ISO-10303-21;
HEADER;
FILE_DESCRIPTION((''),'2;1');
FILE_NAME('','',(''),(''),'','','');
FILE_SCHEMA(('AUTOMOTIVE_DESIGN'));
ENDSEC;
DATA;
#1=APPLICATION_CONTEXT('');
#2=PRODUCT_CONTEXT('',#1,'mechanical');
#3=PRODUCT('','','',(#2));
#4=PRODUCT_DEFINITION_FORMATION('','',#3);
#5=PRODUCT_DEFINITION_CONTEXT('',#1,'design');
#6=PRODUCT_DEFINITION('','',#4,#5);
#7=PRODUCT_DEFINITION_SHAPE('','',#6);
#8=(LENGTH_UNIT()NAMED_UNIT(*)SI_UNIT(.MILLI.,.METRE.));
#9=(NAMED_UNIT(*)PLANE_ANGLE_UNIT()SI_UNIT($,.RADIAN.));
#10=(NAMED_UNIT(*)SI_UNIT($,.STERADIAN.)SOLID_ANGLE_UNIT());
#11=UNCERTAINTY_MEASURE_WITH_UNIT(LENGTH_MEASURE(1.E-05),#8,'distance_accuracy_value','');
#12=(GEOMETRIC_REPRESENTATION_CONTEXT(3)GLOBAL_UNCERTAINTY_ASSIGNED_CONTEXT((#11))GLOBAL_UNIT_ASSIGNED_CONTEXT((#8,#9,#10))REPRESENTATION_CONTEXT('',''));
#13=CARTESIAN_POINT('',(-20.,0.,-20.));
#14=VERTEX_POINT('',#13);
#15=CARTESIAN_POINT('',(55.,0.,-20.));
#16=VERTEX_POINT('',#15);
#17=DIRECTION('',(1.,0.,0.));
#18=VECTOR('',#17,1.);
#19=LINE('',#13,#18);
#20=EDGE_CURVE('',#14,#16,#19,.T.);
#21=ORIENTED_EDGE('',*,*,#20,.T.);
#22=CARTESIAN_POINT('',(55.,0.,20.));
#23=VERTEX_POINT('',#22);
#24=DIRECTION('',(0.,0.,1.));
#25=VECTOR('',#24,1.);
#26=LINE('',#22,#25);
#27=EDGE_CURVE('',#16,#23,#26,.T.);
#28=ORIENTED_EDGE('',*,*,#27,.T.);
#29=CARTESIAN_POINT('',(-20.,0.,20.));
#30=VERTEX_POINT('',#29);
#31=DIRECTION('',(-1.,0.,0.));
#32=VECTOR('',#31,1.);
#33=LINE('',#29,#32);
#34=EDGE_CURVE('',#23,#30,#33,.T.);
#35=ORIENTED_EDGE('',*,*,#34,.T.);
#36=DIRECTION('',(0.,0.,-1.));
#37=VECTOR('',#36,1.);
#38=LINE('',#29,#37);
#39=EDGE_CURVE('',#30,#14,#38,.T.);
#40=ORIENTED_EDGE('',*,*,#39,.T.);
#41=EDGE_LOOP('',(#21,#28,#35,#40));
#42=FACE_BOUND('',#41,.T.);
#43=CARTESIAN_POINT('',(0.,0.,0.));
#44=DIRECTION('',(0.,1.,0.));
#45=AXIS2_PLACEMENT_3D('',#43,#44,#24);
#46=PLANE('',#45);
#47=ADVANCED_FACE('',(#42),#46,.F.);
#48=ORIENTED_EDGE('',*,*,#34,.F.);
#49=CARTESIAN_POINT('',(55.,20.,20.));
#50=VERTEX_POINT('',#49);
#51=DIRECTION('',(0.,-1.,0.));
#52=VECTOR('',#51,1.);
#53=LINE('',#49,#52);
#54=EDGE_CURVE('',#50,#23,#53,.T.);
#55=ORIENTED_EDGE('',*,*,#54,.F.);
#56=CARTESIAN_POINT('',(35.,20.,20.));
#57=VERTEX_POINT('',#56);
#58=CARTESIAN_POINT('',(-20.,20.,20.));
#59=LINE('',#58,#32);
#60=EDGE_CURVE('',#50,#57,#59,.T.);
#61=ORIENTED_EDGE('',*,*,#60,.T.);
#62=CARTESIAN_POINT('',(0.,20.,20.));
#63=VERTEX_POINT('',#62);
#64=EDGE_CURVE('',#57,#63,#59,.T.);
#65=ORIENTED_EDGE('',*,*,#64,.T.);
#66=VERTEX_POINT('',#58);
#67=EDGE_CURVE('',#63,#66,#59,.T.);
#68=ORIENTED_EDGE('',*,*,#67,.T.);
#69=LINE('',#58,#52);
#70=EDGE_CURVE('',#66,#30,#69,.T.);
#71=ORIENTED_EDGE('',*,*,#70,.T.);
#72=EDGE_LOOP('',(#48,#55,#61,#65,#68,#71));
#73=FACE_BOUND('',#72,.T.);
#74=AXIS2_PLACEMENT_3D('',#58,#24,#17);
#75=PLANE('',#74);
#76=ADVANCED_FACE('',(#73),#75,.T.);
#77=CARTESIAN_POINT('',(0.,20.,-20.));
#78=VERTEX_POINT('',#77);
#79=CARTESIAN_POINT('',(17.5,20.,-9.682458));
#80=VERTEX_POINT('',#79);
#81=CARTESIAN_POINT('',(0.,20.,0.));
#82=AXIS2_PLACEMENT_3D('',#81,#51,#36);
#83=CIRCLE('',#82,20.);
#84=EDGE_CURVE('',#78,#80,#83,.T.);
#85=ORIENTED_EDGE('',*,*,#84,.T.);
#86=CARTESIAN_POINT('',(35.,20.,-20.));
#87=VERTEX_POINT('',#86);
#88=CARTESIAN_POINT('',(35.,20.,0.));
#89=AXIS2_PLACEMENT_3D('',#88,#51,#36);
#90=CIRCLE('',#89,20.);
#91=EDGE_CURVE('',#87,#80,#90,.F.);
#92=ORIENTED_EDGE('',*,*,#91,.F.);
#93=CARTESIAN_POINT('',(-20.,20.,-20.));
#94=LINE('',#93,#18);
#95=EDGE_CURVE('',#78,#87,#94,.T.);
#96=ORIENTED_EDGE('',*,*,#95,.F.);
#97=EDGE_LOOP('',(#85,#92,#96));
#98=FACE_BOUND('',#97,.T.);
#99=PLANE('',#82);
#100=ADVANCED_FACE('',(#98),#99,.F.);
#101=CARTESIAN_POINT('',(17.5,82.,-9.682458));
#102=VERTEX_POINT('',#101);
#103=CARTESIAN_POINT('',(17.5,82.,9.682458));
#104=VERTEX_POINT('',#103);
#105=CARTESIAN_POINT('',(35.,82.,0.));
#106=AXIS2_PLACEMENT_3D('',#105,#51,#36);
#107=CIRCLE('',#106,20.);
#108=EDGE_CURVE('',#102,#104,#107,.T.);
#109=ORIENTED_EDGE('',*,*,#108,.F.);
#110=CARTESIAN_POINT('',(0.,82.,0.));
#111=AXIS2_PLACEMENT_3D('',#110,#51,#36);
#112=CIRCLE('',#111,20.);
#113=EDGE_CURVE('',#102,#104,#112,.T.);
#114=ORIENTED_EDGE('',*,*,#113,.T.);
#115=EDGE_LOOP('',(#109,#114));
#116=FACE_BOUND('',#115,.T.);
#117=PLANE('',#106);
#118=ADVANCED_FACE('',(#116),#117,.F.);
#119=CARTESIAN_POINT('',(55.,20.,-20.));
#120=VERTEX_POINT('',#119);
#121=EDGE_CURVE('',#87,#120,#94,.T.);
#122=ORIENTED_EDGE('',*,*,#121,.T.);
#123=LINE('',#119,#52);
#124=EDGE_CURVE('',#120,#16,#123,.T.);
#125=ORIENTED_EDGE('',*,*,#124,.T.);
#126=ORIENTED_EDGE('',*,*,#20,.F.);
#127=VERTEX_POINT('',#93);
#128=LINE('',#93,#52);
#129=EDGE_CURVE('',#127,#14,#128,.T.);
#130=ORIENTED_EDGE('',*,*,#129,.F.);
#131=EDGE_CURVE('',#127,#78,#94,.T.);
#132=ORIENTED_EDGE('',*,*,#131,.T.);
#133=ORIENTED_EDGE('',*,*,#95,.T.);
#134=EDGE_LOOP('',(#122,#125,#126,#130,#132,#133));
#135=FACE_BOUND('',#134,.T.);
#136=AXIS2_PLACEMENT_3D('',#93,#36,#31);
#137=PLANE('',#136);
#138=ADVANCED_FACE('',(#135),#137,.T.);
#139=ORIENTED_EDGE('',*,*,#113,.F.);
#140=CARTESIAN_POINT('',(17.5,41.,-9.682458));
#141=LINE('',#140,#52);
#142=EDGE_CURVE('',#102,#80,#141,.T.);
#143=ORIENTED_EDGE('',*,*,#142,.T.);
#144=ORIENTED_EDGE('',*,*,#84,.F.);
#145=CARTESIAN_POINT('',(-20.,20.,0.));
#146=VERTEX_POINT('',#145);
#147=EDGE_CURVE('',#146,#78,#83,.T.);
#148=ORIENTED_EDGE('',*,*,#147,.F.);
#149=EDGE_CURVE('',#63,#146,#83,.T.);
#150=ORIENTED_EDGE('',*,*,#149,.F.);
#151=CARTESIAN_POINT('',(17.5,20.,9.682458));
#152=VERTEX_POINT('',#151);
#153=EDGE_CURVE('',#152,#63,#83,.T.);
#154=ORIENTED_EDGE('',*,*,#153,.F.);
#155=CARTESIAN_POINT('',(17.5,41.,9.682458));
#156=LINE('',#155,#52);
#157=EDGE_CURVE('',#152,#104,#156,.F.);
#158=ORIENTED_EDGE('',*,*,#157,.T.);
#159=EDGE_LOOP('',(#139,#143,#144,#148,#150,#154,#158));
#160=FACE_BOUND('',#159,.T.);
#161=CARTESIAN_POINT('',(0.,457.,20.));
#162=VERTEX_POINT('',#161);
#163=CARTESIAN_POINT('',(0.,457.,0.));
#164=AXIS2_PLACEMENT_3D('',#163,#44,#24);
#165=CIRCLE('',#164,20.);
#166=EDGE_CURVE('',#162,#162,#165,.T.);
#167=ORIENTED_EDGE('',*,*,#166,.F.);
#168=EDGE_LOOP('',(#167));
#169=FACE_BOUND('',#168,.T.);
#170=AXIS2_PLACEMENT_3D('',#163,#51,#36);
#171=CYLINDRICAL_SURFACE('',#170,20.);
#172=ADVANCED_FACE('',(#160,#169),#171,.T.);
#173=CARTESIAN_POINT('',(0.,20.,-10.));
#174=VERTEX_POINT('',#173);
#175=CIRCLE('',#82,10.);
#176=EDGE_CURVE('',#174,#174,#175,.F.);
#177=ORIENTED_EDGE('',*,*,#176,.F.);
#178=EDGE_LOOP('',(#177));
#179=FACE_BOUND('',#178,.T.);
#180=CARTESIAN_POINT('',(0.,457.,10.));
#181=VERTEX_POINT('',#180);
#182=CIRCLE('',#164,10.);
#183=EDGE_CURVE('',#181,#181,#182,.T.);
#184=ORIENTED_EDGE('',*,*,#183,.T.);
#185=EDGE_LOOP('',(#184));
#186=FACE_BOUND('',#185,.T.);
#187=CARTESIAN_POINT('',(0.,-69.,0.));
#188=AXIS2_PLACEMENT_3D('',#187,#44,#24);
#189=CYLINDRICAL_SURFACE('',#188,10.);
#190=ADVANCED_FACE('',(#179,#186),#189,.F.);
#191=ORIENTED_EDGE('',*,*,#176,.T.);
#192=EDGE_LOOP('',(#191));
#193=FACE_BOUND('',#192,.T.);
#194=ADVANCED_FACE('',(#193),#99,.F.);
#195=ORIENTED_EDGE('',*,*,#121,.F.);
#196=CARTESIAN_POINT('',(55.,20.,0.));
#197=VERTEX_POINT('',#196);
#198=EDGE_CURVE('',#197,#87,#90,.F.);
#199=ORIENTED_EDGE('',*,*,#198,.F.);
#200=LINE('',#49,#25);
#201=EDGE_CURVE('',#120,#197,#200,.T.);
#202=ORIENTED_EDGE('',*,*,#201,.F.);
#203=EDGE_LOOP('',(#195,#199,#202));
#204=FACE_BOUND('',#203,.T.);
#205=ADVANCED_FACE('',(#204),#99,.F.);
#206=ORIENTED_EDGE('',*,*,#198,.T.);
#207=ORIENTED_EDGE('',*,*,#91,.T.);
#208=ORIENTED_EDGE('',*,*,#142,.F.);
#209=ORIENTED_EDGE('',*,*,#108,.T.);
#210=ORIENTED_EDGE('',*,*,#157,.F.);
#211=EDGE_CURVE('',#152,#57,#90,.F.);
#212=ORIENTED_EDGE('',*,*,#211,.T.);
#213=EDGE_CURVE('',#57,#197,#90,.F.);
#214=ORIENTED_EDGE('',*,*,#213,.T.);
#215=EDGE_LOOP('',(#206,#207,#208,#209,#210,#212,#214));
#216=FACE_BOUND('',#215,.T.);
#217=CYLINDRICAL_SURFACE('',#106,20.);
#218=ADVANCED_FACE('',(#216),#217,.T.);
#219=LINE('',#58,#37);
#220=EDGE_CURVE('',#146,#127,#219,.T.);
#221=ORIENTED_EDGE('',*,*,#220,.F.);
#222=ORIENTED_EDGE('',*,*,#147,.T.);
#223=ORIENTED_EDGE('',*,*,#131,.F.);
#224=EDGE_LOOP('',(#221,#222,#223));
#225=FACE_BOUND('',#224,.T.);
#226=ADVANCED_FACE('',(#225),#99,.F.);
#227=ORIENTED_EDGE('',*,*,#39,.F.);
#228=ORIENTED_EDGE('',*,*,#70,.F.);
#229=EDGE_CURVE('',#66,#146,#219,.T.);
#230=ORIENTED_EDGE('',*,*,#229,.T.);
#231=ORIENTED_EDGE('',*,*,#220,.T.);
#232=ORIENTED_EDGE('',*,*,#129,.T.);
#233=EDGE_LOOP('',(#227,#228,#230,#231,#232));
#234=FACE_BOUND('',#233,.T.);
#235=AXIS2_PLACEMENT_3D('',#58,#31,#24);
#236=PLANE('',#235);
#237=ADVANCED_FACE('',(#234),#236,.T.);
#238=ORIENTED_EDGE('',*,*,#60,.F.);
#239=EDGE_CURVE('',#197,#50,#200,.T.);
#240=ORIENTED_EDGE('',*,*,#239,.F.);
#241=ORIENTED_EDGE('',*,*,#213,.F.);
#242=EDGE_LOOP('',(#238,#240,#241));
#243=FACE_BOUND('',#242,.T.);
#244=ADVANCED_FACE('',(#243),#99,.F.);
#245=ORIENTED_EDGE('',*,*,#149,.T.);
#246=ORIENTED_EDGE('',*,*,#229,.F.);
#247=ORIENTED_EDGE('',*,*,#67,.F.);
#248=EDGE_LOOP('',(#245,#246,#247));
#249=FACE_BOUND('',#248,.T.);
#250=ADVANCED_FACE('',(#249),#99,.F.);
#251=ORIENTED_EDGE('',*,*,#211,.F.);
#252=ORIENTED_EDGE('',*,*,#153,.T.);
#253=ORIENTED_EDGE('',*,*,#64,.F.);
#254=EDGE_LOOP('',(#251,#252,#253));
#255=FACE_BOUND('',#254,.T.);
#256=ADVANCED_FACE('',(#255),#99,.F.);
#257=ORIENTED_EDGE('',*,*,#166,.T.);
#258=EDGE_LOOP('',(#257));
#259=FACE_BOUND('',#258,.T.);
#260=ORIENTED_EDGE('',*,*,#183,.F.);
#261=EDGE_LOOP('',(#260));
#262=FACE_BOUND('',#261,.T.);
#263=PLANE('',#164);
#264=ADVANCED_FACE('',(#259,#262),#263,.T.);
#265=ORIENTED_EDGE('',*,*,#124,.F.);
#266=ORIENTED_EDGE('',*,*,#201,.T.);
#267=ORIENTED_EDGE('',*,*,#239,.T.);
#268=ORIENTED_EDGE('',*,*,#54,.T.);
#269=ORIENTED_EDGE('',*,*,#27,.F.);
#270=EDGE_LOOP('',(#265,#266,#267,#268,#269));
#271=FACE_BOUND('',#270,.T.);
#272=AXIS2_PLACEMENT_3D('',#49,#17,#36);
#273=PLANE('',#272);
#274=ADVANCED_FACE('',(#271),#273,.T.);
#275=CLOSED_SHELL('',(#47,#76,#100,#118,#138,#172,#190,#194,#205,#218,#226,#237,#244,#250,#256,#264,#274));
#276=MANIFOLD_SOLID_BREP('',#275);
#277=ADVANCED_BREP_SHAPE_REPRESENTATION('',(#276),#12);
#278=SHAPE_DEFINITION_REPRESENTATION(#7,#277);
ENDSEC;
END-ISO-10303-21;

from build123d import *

# Parameters (mm, degrees)
SKETCH1_R           = 20
BOSS_EXTRUDE1_DEPTH = 457
SKETCH2_R           = 10
CUT_EXTRUDE1_DEPTH  = 526
SKETCH6_R           = 20
BOSS_EXTRUDE4_DEPTH = 82
SKETCH7_W           = 75
SKETCH7_H           = 40
BOSS_EXTRUDE5_DEPTH = 20


with BuildPart() as part:
    # Sketch1 → Boss-Extrude1 (new body)
    with BuildSketch(Plane(origin=(0, 0, 0), x_dir=(1, 0, 0), z_dir=(0, 1, 0))):
        Circle(SKETCH1_R)
    extrude(amount=BOSS_EXTRUDE1_DEPTH)

    # Sketch2 → Cut-Extrude1 (cut)
    with BuildSketch(Plane(origin=(0, 457, 0), x_dir=(1, 0, 0), z_dir=(0, 1, 0))):
        Circle(SKETCH2_R)
    extrude(amount=-CUT_EXTRUDE1_DEPTH, mode=Mode.SUBTRACT)

    # Sketch6 → Boss-Extrude4 (add)
    with BuildSketch(Plane.XZ):
        with Locations((35, 0)):
            Circle(SKETCH6_R)
    extrude(amount=-BOSS_EXTRUDE4_DEPTH)

    # Sketch7 → Boss-Extrude5 (add)
    with BuildSketch(Plane.XZ):
        with Locations((17.5, 0)):
            Rectangle(SKETCH7_W, SKETCH7_H)
    extrude(amount=-BOSS_EXTRUDE5_DEPTH)


solid = part.part
